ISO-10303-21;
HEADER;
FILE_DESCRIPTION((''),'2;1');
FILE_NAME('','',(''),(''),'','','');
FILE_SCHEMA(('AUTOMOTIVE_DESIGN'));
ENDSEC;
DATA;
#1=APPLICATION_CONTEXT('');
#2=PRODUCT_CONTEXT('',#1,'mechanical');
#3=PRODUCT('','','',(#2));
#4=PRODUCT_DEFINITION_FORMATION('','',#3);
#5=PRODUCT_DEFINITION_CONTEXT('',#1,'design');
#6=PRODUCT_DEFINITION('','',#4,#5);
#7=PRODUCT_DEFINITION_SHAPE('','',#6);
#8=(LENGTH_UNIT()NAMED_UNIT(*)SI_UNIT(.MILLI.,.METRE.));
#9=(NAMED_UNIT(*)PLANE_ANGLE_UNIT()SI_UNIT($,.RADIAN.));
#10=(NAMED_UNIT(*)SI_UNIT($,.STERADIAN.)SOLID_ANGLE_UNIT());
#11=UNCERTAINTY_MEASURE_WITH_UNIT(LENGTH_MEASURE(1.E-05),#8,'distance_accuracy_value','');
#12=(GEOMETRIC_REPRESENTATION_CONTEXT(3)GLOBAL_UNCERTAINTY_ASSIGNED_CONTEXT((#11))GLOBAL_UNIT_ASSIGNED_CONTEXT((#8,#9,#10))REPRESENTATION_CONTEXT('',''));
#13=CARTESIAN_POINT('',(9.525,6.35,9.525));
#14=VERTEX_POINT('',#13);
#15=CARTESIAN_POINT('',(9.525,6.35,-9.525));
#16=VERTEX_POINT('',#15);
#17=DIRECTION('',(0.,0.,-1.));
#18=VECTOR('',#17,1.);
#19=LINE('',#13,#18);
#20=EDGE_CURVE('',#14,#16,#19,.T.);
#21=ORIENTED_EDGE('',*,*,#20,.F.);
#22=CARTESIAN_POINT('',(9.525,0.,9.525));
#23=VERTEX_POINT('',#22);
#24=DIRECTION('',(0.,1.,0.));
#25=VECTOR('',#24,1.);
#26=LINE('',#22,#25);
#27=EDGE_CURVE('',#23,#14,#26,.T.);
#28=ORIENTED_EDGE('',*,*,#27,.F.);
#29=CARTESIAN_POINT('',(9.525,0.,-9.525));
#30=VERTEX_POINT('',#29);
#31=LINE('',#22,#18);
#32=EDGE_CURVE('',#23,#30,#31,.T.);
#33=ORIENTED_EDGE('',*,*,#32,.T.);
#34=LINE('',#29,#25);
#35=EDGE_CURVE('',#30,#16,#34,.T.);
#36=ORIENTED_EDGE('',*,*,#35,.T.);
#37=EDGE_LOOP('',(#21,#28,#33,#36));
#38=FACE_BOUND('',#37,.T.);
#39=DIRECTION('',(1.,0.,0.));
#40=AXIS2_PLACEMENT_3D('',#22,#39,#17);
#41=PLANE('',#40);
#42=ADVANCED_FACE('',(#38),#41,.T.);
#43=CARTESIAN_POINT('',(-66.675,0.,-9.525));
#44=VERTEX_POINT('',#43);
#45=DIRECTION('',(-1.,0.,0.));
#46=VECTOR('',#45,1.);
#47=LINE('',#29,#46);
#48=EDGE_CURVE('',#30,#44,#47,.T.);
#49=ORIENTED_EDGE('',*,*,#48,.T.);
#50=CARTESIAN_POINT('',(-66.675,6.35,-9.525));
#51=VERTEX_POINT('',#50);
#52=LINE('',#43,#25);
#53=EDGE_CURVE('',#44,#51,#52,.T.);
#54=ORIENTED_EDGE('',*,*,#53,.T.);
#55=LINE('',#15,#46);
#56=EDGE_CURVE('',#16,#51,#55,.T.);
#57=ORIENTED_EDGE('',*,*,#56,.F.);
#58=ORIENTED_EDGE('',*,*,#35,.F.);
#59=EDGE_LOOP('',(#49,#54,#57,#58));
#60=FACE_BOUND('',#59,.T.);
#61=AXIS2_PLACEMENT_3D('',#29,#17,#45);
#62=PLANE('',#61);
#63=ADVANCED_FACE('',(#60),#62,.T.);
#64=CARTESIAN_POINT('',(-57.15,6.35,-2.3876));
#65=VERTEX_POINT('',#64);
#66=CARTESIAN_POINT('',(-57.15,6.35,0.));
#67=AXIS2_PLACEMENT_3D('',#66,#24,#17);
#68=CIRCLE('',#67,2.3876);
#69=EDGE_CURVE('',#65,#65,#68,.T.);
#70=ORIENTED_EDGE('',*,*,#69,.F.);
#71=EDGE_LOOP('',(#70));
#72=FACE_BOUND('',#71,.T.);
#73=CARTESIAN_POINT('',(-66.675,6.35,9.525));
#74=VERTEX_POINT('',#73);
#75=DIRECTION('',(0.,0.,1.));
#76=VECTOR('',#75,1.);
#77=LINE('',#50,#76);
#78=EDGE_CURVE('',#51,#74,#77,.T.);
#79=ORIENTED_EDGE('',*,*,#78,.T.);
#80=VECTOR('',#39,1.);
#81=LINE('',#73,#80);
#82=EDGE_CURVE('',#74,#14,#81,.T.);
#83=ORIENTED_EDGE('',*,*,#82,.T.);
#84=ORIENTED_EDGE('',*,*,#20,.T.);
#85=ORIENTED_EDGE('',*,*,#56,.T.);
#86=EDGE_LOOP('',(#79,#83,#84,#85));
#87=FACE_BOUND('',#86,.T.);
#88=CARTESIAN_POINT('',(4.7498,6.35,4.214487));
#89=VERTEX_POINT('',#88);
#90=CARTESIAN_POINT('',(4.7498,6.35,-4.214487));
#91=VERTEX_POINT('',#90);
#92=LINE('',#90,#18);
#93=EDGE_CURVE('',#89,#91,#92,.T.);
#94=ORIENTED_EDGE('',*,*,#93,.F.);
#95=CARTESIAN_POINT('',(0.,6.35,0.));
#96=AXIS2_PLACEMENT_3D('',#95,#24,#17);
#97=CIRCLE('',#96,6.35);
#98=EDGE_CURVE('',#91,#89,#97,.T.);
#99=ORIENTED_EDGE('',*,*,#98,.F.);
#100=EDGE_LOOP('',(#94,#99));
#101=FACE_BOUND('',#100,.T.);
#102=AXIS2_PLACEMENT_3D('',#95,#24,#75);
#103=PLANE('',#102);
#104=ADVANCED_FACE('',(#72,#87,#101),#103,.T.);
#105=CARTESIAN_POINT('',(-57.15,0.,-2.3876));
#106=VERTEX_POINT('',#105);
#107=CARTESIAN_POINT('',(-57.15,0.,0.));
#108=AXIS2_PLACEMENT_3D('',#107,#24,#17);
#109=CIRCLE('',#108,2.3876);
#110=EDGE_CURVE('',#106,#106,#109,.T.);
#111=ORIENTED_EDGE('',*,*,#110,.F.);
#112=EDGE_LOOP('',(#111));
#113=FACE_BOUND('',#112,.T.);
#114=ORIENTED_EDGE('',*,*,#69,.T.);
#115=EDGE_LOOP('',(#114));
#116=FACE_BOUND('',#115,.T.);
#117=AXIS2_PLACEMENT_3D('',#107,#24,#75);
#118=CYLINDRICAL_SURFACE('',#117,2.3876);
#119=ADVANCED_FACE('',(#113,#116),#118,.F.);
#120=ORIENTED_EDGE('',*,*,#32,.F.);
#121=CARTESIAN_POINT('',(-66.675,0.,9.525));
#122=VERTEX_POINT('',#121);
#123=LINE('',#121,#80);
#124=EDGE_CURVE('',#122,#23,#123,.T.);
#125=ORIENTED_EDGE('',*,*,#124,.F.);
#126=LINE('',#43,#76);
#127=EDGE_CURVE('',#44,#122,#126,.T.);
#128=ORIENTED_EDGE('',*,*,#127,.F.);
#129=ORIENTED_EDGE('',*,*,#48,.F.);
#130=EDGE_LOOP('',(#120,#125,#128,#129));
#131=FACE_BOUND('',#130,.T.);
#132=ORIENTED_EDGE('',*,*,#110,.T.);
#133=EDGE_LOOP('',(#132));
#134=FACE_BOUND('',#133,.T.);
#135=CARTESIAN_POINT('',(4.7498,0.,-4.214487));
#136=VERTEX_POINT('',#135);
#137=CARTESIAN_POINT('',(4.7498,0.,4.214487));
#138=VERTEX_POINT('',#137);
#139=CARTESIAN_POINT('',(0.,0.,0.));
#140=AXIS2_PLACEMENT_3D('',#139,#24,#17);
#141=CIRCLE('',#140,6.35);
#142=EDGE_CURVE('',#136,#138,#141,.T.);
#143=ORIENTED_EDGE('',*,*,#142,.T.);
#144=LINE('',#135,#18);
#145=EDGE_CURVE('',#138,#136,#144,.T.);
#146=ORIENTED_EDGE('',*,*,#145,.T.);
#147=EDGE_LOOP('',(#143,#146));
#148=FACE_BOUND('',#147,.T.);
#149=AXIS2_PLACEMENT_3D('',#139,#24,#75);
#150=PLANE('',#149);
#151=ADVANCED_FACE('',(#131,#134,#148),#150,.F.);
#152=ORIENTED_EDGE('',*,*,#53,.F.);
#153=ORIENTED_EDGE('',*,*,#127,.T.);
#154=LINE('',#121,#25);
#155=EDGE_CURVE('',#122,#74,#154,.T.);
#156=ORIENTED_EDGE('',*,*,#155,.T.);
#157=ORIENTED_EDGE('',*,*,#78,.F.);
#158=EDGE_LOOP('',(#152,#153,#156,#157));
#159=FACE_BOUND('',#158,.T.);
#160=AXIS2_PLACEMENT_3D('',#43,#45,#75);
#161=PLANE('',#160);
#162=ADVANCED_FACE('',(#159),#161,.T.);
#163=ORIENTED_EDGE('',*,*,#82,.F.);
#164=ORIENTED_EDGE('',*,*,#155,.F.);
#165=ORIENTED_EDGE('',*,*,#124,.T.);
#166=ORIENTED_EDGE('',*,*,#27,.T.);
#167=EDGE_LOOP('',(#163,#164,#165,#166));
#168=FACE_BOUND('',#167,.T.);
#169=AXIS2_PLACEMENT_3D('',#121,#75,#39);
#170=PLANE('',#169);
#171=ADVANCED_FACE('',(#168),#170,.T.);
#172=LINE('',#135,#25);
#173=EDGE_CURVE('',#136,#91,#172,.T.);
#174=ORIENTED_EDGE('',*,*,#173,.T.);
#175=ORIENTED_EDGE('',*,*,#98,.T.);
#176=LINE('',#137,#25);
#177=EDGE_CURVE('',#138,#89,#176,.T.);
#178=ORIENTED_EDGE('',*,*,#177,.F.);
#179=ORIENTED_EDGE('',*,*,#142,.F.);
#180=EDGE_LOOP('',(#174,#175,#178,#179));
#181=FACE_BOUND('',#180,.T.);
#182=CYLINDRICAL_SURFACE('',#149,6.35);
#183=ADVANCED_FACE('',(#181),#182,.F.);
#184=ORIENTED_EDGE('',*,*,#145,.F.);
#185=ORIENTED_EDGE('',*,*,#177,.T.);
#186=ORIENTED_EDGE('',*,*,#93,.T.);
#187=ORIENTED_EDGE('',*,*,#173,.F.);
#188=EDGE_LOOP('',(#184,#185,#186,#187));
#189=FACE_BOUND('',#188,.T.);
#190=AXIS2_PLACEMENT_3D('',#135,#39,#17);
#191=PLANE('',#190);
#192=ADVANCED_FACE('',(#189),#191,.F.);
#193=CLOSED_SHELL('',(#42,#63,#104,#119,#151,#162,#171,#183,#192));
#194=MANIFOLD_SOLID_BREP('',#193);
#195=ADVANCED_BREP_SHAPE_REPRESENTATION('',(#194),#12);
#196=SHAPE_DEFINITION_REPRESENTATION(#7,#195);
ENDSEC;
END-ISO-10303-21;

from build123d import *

# Parameters (mm, degrees)
SKETCH_1_W      = 76.2
SKETCH_1_H      = 19.05
SKETCH_1_R      = 2.3876
EXTRUDE_1_DEPTH = 6.35


with BuildPart() as part:
    # 스케치1 → 보스-돌출1 (new body)
    with BuildSketch(Plane(origin=(0, 6.35, 0), x_dir=(1, 0, 0), z_dir=(0, 1, 0))):
        with Locations((-28.575, 0)):
            Rectangle(SKETCH_1_W, SKETCH_1_H)
        with Locations(Location((-57.15, 0, 0), (0, 0, 90))):
            Circle(SKETCH_1_R, mode=Mode.SUBTRACT)
        with BuildLine():
            Line((4.7498, 4.214486915), (4.7498, -4.214486915))
            ThreePointArc((4.7498, -4.214486915), (-6.35, 0), (4.7498, 4.214486915))
        make_face(mode=Mode.SUBTRACT)
    extrude(amount=-EXTRUDE_1_DEPTH)


solid = part.part
